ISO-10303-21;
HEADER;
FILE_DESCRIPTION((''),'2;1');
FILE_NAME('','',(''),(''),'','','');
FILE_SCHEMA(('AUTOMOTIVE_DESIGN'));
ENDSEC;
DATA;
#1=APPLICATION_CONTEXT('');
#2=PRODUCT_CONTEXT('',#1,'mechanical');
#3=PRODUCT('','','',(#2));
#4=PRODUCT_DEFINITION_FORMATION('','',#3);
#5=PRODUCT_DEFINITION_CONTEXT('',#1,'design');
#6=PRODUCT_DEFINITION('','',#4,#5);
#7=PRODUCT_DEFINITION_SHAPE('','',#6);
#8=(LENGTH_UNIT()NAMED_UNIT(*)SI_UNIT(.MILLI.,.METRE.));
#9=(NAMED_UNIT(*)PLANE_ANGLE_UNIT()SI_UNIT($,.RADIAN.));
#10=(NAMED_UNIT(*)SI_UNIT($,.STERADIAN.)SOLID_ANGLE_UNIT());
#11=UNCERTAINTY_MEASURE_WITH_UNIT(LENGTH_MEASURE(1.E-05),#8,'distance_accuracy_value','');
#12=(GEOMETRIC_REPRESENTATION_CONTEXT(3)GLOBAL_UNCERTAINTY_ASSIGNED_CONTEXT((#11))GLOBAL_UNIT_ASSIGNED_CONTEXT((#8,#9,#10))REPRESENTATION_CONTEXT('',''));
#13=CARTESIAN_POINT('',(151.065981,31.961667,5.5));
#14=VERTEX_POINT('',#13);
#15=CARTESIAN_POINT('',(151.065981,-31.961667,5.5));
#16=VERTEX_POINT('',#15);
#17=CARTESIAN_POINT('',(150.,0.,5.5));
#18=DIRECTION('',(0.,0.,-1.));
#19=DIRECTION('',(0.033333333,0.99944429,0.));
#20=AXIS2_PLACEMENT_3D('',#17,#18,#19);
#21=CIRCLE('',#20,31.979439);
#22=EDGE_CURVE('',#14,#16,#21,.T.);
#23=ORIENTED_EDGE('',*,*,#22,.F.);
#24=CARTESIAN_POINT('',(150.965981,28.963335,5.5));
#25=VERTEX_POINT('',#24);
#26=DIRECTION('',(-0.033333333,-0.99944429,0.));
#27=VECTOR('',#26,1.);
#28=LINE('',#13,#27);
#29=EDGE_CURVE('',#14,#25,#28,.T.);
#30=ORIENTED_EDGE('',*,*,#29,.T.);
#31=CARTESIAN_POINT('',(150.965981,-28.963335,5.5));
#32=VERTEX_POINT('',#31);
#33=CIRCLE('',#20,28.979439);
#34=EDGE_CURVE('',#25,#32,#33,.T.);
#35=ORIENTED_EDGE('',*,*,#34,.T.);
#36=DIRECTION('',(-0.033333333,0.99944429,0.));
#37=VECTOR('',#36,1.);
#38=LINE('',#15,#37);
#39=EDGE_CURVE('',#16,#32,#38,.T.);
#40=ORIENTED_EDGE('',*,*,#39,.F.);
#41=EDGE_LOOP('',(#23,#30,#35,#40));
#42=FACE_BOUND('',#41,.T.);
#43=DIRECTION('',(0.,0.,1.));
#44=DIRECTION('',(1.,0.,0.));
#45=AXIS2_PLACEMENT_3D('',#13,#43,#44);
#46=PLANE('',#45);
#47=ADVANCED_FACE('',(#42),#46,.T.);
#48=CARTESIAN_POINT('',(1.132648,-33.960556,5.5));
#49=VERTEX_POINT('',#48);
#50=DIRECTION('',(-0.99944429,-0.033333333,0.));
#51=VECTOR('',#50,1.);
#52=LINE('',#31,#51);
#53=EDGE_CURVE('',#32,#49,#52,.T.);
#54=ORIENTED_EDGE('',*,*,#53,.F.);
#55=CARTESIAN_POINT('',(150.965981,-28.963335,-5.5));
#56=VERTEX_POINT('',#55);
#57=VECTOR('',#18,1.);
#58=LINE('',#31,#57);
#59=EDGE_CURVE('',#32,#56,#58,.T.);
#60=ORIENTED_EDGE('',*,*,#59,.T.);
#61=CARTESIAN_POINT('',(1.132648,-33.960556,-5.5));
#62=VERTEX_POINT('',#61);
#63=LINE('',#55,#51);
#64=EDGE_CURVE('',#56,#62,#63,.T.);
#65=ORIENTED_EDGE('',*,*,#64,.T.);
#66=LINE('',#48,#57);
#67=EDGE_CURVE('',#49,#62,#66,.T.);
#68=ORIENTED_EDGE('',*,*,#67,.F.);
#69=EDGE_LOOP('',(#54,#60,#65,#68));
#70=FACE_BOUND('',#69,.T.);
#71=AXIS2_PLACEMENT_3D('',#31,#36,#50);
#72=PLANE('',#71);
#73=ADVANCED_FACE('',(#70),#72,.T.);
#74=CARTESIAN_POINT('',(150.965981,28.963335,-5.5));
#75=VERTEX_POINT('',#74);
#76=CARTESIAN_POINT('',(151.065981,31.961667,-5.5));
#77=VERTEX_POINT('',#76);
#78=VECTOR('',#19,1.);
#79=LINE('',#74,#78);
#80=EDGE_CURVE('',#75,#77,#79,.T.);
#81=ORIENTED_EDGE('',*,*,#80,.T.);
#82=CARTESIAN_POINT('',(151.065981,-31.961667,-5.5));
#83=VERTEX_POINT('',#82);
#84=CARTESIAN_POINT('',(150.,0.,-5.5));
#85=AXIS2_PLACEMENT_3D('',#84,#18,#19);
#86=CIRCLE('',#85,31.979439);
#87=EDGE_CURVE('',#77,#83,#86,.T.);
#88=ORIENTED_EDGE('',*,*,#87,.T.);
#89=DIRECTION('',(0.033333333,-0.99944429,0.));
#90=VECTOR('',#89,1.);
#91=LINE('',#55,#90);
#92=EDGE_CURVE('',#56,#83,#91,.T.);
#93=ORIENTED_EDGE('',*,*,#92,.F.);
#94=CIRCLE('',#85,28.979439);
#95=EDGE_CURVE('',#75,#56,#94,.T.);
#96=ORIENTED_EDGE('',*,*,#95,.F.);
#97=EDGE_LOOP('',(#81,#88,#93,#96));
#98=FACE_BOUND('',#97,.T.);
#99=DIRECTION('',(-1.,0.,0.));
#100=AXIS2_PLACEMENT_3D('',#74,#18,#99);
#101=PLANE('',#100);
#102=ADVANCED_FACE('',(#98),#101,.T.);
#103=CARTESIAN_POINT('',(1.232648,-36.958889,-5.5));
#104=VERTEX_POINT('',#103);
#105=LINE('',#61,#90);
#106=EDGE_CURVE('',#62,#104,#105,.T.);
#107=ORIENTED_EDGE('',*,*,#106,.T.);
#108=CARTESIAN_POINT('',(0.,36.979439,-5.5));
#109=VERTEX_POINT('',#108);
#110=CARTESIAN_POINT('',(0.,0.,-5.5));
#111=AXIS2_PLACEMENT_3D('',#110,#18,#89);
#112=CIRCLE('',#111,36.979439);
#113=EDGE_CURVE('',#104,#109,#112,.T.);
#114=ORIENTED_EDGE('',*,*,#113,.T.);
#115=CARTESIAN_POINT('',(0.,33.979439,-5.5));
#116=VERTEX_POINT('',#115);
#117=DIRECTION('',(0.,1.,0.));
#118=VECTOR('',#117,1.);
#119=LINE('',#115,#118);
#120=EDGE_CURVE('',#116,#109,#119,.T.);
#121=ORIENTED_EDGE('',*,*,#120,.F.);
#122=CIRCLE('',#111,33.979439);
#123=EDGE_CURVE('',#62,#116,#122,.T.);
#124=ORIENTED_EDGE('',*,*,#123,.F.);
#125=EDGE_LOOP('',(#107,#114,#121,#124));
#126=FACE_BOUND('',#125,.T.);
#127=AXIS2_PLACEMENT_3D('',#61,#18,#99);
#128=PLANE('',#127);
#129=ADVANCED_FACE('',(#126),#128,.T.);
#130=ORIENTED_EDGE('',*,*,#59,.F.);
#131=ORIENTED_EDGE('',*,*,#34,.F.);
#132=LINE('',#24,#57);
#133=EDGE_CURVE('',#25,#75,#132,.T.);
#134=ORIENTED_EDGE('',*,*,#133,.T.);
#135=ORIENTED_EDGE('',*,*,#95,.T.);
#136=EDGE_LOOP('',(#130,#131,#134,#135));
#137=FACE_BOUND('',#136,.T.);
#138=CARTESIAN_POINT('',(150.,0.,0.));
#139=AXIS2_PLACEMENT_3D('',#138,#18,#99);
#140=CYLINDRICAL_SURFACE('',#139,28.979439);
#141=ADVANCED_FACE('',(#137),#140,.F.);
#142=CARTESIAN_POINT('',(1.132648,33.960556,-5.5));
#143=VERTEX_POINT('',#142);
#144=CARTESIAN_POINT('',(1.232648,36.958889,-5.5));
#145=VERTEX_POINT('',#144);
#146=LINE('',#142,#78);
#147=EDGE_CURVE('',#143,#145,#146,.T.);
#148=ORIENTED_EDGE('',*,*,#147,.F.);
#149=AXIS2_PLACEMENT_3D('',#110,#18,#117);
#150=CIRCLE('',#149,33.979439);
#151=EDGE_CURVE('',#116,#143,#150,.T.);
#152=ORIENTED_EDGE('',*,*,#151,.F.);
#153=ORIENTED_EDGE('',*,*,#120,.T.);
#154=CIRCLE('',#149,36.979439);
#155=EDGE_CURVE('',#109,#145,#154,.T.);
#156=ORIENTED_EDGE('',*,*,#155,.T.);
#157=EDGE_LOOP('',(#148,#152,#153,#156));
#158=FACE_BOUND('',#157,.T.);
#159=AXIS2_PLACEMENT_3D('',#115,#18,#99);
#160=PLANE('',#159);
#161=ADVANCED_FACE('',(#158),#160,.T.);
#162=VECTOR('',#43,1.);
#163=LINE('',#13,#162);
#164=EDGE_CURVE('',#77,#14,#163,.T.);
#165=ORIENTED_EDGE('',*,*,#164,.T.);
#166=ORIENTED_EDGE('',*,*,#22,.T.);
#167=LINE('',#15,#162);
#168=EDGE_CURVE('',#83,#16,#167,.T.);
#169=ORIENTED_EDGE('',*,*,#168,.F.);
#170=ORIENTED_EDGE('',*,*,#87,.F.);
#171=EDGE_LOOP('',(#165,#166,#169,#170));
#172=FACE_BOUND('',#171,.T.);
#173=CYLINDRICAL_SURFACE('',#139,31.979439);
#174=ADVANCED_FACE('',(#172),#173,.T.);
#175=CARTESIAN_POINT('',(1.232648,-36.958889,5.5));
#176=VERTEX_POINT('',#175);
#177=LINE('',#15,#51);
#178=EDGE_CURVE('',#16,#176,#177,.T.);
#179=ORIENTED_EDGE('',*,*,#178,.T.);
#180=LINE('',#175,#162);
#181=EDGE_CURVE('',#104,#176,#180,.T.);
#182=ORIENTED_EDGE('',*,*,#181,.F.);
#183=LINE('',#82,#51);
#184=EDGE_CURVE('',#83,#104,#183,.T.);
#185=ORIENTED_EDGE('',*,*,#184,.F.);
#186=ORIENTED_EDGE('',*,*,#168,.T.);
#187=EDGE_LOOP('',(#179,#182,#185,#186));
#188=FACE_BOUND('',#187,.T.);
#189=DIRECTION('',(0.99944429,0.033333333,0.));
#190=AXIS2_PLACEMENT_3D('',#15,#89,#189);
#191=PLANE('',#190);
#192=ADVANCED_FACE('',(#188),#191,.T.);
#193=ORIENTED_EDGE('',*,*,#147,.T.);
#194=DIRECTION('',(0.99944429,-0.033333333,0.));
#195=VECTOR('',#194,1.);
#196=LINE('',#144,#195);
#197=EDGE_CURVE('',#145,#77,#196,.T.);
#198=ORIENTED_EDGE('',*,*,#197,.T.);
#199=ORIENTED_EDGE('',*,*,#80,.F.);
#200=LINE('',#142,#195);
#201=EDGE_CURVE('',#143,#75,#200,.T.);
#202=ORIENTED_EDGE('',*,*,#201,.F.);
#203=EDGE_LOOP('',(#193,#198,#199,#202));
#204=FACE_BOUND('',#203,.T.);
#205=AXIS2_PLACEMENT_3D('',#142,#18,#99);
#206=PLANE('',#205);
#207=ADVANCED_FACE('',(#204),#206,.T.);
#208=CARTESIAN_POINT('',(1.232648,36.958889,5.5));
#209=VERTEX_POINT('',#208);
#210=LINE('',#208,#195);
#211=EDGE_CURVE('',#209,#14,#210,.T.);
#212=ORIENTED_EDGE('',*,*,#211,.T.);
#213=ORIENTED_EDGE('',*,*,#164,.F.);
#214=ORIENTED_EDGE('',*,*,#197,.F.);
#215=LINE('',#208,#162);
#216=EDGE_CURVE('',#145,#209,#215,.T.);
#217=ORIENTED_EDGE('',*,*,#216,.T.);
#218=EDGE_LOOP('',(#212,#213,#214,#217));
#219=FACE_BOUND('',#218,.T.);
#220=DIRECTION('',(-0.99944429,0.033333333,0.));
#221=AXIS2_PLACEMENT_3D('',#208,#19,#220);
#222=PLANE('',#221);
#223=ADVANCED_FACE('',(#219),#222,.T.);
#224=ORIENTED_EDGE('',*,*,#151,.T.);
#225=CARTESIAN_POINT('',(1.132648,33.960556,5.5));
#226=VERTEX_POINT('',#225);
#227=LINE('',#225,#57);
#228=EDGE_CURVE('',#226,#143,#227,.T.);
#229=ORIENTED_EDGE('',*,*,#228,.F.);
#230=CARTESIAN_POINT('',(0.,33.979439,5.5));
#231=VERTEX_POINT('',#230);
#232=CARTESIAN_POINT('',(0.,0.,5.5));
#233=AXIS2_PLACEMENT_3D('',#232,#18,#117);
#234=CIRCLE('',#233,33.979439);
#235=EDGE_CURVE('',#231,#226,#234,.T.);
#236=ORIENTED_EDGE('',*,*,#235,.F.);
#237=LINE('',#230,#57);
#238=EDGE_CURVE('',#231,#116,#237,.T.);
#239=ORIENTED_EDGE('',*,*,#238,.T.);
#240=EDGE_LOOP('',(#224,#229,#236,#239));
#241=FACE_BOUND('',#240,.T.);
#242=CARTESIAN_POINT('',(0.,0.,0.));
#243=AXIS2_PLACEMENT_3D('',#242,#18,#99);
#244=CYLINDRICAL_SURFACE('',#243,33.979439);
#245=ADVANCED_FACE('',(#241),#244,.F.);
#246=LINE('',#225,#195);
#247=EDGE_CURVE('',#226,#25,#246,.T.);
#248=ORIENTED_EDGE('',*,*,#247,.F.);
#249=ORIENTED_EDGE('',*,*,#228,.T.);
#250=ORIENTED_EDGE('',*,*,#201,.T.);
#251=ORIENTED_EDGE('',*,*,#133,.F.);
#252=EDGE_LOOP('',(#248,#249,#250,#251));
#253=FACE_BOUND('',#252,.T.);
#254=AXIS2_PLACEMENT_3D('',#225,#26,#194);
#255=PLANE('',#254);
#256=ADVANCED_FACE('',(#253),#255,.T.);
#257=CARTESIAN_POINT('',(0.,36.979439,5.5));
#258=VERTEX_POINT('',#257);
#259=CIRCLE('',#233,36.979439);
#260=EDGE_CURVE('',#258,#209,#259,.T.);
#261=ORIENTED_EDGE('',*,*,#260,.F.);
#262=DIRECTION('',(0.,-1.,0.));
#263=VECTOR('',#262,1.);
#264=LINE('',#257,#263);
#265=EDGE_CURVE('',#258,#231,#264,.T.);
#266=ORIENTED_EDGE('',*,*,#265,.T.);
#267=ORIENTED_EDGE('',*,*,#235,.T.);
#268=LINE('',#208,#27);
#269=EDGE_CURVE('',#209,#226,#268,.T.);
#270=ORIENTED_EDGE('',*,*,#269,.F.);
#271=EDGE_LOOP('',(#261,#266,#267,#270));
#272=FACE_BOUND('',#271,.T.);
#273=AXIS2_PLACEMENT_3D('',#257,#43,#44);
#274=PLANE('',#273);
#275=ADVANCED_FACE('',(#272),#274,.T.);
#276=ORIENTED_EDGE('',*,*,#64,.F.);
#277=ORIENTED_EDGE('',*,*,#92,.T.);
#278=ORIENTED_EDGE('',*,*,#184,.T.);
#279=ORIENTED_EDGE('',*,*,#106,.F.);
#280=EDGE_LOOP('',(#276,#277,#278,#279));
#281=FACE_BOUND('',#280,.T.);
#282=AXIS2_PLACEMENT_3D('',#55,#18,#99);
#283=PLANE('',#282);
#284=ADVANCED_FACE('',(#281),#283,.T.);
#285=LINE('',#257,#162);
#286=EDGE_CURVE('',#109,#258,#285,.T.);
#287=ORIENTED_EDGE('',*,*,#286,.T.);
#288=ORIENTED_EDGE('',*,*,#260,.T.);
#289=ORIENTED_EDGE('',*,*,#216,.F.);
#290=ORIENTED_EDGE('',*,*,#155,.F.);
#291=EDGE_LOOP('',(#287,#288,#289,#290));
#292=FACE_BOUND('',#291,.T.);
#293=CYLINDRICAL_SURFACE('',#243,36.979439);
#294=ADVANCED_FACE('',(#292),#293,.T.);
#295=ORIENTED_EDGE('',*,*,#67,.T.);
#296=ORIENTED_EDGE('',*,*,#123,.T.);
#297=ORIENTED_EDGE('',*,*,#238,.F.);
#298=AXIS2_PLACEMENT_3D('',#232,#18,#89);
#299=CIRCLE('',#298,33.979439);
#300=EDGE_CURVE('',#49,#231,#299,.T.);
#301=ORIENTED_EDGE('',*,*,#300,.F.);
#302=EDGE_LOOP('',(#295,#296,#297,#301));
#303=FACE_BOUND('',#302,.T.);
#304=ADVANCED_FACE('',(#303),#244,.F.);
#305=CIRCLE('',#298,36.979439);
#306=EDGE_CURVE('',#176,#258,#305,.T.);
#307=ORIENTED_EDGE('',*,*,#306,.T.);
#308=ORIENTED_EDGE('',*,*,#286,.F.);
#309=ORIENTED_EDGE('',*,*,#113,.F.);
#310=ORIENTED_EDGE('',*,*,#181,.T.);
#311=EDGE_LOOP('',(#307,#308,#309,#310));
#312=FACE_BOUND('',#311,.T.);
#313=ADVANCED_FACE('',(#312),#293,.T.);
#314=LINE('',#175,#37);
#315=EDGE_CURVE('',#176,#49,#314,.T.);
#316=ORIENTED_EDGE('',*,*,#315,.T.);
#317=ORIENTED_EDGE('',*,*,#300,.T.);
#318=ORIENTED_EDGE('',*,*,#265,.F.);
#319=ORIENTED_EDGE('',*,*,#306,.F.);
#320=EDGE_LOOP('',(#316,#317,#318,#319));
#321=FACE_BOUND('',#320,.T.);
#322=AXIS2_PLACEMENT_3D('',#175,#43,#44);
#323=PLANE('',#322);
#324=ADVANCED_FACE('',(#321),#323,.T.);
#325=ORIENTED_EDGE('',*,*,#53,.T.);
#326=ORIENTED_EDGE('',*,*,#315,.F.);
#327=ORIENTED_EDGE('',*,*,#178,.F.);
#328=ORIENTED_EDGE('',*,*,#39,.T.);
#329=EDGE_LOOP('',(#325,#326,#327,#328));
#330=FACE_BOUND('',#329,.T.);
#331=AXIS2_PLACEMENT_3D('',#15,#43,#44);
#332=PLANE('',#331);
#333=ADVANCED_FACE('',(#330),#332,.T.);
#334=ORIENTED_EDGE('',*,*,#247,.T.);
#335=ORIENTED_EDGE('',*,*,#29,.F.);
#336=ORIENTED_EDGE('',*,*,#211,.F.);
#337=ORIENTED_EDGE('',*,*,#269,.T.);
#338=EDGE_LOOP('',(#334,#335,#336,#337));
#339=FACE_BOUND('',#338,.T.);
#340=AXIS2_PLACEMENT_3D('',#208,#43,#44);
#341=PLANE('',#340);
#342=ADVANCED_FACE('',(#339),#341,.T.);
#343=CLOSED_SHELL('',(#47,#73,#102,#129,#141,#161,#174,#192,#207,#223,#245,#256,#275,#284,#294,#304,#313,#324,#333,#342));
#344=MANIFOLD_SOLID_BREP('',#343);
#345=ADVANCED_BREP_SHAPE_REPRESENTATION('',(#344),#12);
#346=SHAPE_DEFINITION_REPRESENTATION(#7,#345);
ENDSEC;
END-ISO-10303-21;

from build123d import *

# Parameters (mm, degrees)
SKETCH2_W = 11
SKETCH2_H = 3


with BuildPart() as part:
    # Sweep1: sweep along a path in Sketch1
    with BuildLine(Plane.XY) as sweep1_path:
        Line((1.233333333, 36.979438731), (151.066666667, 31.982217281))
        ThreePointArc((151.066666667, 31.982217281), (182, 0), (151.066666667, -31.982217281))
        Line((151.066666667, -31.982217281), (1.233333333, -36.979438731))
        ThreePointArc((1.233333333, -36.979438731), (-37, 0), (1.233333333, 36.979438731))
    # Sketch2 → Sweep1 (sweep)
    with BuildSketch(Plane(origin=(0, 0, 0), x_dir=(0, 0, -1), z_dir=(1, 0, 0))):
        with Locations((0, 35.479438731)):
            Rectangle(SKETCH2_W, SKETCH2_H)
    sweep(path=sweep1_path.line)


solid = part.part
